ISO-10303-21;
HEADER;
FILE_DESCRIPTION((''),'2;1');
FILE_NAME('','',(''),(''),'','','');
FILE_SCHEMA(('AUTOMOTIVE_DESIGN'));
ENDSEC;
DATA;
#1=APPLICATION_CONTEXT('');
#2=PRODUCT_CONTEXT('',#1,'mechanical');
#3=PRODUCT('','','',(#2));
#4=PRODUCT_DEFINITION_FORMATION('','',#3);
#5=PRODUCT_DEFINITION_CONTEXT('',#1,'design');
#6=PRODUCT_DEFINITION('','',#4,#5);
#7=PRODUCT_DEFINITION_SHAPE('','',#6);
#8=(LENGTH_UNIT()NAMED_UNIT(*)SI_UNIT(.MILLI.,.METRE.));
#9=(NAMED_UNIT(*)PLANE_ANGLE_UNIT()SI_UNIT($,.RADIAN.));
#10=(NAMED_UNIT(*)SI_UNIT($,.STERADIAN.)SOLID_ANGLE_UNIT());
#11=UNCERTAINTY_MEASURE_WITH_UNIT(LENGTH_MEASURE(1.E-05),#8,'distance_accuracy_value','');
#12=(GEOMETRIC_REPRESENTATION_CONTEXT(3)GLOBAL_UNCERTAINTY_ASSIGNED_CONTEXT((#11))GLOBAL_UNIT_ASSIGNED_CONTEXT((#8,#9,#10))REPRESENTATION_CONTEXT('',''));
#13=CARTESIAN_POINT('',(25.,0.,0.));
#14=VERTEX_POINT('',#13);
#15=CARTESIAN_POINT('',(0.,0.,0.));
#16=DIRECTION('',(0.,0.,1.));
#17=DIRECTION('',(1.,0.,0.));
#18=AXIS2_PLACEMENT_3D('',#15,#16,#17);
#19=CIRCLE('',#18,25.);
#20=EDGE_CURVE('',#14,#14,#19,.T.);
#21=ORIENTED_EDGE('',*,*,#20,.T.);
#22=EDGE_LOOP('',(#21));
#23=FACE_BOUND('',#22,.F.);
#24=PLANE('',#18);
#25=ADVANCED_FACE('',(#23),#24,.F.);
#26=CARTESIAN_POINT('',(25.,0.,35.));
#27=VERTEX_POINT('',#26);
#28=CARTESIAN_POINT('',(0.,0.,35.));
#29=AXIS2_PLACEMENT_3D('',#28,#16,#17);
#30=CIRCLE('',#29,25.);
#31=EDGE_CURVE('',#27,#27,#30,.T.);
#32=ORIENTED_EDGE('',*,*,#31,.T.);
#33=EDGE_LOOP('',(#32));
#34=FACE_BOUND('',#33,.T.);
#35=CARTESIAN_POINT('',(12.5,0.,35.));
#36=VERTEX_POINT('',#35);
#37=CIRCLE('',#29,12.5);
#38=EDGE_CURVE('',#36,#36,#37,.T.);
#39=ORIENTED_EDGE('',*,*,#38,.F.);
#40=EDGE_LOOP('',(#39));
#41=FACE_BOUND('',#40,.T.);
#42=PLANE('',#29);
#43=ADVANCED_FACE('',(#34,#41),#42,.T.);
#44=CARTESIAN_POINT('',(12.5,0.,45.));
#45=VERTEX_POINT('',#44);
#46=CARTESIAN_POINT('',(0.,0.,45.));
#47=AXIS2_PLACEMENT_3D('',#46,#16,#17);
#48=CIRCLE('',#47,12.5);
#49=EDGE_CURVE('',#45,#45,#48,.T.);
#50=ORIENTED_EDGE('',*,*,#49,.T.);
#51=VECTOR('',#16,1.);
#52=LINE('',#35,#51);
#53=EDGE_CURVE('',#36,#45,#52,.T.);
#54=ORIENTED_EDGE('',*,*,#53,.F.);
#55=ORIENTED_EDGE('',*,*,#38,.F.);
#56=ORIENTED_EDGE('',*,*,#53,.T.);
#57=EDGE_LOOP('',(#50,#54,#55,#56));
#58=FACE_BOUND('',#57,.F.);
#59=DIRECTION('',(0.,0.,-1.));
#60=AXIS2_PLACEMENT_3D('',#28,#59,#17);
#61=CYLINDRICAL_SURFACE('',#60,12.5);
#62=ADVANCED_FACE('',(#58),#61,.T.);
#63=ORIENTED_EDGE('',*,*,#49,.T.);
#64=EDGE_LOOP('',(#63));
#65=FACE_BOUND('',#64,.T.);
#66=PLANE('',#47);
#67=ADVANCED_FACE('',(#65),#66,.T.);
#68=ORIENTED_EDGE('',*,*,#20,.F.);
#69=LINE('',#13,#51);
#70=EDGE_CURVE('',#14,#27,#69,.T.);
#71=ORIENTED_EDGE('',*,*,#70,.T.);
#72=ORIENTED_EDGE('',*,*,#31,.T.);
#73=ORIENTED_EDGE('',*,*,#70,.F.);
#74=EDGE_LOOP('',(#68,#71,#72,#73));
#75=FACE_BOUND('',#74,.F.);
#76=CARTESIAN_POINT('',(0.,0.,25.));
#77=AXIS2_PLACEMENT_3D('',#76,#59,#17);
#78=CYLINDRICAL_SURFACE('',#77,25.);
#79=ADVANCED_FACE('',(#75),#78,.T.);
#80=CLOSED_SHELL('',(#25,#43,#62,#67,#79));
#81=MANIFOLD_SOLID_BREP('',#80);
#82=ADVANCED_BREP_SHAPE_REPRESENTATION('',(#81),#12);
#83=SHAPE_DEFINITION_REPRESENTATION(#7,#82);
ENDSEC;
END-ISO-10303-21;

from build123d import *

# Parameters (mm, degrees)
F1_R      = 25
F2_DEPTH  = 25
F2_FACE_R = 25
F3_DEPTH  = 10
F4_R      = 12.5
F5_DEPTH  = 10


with BuildPart() as f2:
    # F1 (on Top) → F2 (new body)
    with BuildSketch(Plane.XY):
        Circle(F1_R)
    extrude(amount=F2_DEPTH)

    # F2_face (on face) → F3 (join)
    with BuildSketch(Plane.XY.offset(25)):
        Circle(F2_FACE_R)
    extrude(amount=F3_DEPTH)

    # F4 (on offset) → F5 (join)
    with BuildSketch(Plane.XY.offset(35)):
        Circle(F4_R)
    extrude(amount=F5_DEPTH)


solid = f2.part
